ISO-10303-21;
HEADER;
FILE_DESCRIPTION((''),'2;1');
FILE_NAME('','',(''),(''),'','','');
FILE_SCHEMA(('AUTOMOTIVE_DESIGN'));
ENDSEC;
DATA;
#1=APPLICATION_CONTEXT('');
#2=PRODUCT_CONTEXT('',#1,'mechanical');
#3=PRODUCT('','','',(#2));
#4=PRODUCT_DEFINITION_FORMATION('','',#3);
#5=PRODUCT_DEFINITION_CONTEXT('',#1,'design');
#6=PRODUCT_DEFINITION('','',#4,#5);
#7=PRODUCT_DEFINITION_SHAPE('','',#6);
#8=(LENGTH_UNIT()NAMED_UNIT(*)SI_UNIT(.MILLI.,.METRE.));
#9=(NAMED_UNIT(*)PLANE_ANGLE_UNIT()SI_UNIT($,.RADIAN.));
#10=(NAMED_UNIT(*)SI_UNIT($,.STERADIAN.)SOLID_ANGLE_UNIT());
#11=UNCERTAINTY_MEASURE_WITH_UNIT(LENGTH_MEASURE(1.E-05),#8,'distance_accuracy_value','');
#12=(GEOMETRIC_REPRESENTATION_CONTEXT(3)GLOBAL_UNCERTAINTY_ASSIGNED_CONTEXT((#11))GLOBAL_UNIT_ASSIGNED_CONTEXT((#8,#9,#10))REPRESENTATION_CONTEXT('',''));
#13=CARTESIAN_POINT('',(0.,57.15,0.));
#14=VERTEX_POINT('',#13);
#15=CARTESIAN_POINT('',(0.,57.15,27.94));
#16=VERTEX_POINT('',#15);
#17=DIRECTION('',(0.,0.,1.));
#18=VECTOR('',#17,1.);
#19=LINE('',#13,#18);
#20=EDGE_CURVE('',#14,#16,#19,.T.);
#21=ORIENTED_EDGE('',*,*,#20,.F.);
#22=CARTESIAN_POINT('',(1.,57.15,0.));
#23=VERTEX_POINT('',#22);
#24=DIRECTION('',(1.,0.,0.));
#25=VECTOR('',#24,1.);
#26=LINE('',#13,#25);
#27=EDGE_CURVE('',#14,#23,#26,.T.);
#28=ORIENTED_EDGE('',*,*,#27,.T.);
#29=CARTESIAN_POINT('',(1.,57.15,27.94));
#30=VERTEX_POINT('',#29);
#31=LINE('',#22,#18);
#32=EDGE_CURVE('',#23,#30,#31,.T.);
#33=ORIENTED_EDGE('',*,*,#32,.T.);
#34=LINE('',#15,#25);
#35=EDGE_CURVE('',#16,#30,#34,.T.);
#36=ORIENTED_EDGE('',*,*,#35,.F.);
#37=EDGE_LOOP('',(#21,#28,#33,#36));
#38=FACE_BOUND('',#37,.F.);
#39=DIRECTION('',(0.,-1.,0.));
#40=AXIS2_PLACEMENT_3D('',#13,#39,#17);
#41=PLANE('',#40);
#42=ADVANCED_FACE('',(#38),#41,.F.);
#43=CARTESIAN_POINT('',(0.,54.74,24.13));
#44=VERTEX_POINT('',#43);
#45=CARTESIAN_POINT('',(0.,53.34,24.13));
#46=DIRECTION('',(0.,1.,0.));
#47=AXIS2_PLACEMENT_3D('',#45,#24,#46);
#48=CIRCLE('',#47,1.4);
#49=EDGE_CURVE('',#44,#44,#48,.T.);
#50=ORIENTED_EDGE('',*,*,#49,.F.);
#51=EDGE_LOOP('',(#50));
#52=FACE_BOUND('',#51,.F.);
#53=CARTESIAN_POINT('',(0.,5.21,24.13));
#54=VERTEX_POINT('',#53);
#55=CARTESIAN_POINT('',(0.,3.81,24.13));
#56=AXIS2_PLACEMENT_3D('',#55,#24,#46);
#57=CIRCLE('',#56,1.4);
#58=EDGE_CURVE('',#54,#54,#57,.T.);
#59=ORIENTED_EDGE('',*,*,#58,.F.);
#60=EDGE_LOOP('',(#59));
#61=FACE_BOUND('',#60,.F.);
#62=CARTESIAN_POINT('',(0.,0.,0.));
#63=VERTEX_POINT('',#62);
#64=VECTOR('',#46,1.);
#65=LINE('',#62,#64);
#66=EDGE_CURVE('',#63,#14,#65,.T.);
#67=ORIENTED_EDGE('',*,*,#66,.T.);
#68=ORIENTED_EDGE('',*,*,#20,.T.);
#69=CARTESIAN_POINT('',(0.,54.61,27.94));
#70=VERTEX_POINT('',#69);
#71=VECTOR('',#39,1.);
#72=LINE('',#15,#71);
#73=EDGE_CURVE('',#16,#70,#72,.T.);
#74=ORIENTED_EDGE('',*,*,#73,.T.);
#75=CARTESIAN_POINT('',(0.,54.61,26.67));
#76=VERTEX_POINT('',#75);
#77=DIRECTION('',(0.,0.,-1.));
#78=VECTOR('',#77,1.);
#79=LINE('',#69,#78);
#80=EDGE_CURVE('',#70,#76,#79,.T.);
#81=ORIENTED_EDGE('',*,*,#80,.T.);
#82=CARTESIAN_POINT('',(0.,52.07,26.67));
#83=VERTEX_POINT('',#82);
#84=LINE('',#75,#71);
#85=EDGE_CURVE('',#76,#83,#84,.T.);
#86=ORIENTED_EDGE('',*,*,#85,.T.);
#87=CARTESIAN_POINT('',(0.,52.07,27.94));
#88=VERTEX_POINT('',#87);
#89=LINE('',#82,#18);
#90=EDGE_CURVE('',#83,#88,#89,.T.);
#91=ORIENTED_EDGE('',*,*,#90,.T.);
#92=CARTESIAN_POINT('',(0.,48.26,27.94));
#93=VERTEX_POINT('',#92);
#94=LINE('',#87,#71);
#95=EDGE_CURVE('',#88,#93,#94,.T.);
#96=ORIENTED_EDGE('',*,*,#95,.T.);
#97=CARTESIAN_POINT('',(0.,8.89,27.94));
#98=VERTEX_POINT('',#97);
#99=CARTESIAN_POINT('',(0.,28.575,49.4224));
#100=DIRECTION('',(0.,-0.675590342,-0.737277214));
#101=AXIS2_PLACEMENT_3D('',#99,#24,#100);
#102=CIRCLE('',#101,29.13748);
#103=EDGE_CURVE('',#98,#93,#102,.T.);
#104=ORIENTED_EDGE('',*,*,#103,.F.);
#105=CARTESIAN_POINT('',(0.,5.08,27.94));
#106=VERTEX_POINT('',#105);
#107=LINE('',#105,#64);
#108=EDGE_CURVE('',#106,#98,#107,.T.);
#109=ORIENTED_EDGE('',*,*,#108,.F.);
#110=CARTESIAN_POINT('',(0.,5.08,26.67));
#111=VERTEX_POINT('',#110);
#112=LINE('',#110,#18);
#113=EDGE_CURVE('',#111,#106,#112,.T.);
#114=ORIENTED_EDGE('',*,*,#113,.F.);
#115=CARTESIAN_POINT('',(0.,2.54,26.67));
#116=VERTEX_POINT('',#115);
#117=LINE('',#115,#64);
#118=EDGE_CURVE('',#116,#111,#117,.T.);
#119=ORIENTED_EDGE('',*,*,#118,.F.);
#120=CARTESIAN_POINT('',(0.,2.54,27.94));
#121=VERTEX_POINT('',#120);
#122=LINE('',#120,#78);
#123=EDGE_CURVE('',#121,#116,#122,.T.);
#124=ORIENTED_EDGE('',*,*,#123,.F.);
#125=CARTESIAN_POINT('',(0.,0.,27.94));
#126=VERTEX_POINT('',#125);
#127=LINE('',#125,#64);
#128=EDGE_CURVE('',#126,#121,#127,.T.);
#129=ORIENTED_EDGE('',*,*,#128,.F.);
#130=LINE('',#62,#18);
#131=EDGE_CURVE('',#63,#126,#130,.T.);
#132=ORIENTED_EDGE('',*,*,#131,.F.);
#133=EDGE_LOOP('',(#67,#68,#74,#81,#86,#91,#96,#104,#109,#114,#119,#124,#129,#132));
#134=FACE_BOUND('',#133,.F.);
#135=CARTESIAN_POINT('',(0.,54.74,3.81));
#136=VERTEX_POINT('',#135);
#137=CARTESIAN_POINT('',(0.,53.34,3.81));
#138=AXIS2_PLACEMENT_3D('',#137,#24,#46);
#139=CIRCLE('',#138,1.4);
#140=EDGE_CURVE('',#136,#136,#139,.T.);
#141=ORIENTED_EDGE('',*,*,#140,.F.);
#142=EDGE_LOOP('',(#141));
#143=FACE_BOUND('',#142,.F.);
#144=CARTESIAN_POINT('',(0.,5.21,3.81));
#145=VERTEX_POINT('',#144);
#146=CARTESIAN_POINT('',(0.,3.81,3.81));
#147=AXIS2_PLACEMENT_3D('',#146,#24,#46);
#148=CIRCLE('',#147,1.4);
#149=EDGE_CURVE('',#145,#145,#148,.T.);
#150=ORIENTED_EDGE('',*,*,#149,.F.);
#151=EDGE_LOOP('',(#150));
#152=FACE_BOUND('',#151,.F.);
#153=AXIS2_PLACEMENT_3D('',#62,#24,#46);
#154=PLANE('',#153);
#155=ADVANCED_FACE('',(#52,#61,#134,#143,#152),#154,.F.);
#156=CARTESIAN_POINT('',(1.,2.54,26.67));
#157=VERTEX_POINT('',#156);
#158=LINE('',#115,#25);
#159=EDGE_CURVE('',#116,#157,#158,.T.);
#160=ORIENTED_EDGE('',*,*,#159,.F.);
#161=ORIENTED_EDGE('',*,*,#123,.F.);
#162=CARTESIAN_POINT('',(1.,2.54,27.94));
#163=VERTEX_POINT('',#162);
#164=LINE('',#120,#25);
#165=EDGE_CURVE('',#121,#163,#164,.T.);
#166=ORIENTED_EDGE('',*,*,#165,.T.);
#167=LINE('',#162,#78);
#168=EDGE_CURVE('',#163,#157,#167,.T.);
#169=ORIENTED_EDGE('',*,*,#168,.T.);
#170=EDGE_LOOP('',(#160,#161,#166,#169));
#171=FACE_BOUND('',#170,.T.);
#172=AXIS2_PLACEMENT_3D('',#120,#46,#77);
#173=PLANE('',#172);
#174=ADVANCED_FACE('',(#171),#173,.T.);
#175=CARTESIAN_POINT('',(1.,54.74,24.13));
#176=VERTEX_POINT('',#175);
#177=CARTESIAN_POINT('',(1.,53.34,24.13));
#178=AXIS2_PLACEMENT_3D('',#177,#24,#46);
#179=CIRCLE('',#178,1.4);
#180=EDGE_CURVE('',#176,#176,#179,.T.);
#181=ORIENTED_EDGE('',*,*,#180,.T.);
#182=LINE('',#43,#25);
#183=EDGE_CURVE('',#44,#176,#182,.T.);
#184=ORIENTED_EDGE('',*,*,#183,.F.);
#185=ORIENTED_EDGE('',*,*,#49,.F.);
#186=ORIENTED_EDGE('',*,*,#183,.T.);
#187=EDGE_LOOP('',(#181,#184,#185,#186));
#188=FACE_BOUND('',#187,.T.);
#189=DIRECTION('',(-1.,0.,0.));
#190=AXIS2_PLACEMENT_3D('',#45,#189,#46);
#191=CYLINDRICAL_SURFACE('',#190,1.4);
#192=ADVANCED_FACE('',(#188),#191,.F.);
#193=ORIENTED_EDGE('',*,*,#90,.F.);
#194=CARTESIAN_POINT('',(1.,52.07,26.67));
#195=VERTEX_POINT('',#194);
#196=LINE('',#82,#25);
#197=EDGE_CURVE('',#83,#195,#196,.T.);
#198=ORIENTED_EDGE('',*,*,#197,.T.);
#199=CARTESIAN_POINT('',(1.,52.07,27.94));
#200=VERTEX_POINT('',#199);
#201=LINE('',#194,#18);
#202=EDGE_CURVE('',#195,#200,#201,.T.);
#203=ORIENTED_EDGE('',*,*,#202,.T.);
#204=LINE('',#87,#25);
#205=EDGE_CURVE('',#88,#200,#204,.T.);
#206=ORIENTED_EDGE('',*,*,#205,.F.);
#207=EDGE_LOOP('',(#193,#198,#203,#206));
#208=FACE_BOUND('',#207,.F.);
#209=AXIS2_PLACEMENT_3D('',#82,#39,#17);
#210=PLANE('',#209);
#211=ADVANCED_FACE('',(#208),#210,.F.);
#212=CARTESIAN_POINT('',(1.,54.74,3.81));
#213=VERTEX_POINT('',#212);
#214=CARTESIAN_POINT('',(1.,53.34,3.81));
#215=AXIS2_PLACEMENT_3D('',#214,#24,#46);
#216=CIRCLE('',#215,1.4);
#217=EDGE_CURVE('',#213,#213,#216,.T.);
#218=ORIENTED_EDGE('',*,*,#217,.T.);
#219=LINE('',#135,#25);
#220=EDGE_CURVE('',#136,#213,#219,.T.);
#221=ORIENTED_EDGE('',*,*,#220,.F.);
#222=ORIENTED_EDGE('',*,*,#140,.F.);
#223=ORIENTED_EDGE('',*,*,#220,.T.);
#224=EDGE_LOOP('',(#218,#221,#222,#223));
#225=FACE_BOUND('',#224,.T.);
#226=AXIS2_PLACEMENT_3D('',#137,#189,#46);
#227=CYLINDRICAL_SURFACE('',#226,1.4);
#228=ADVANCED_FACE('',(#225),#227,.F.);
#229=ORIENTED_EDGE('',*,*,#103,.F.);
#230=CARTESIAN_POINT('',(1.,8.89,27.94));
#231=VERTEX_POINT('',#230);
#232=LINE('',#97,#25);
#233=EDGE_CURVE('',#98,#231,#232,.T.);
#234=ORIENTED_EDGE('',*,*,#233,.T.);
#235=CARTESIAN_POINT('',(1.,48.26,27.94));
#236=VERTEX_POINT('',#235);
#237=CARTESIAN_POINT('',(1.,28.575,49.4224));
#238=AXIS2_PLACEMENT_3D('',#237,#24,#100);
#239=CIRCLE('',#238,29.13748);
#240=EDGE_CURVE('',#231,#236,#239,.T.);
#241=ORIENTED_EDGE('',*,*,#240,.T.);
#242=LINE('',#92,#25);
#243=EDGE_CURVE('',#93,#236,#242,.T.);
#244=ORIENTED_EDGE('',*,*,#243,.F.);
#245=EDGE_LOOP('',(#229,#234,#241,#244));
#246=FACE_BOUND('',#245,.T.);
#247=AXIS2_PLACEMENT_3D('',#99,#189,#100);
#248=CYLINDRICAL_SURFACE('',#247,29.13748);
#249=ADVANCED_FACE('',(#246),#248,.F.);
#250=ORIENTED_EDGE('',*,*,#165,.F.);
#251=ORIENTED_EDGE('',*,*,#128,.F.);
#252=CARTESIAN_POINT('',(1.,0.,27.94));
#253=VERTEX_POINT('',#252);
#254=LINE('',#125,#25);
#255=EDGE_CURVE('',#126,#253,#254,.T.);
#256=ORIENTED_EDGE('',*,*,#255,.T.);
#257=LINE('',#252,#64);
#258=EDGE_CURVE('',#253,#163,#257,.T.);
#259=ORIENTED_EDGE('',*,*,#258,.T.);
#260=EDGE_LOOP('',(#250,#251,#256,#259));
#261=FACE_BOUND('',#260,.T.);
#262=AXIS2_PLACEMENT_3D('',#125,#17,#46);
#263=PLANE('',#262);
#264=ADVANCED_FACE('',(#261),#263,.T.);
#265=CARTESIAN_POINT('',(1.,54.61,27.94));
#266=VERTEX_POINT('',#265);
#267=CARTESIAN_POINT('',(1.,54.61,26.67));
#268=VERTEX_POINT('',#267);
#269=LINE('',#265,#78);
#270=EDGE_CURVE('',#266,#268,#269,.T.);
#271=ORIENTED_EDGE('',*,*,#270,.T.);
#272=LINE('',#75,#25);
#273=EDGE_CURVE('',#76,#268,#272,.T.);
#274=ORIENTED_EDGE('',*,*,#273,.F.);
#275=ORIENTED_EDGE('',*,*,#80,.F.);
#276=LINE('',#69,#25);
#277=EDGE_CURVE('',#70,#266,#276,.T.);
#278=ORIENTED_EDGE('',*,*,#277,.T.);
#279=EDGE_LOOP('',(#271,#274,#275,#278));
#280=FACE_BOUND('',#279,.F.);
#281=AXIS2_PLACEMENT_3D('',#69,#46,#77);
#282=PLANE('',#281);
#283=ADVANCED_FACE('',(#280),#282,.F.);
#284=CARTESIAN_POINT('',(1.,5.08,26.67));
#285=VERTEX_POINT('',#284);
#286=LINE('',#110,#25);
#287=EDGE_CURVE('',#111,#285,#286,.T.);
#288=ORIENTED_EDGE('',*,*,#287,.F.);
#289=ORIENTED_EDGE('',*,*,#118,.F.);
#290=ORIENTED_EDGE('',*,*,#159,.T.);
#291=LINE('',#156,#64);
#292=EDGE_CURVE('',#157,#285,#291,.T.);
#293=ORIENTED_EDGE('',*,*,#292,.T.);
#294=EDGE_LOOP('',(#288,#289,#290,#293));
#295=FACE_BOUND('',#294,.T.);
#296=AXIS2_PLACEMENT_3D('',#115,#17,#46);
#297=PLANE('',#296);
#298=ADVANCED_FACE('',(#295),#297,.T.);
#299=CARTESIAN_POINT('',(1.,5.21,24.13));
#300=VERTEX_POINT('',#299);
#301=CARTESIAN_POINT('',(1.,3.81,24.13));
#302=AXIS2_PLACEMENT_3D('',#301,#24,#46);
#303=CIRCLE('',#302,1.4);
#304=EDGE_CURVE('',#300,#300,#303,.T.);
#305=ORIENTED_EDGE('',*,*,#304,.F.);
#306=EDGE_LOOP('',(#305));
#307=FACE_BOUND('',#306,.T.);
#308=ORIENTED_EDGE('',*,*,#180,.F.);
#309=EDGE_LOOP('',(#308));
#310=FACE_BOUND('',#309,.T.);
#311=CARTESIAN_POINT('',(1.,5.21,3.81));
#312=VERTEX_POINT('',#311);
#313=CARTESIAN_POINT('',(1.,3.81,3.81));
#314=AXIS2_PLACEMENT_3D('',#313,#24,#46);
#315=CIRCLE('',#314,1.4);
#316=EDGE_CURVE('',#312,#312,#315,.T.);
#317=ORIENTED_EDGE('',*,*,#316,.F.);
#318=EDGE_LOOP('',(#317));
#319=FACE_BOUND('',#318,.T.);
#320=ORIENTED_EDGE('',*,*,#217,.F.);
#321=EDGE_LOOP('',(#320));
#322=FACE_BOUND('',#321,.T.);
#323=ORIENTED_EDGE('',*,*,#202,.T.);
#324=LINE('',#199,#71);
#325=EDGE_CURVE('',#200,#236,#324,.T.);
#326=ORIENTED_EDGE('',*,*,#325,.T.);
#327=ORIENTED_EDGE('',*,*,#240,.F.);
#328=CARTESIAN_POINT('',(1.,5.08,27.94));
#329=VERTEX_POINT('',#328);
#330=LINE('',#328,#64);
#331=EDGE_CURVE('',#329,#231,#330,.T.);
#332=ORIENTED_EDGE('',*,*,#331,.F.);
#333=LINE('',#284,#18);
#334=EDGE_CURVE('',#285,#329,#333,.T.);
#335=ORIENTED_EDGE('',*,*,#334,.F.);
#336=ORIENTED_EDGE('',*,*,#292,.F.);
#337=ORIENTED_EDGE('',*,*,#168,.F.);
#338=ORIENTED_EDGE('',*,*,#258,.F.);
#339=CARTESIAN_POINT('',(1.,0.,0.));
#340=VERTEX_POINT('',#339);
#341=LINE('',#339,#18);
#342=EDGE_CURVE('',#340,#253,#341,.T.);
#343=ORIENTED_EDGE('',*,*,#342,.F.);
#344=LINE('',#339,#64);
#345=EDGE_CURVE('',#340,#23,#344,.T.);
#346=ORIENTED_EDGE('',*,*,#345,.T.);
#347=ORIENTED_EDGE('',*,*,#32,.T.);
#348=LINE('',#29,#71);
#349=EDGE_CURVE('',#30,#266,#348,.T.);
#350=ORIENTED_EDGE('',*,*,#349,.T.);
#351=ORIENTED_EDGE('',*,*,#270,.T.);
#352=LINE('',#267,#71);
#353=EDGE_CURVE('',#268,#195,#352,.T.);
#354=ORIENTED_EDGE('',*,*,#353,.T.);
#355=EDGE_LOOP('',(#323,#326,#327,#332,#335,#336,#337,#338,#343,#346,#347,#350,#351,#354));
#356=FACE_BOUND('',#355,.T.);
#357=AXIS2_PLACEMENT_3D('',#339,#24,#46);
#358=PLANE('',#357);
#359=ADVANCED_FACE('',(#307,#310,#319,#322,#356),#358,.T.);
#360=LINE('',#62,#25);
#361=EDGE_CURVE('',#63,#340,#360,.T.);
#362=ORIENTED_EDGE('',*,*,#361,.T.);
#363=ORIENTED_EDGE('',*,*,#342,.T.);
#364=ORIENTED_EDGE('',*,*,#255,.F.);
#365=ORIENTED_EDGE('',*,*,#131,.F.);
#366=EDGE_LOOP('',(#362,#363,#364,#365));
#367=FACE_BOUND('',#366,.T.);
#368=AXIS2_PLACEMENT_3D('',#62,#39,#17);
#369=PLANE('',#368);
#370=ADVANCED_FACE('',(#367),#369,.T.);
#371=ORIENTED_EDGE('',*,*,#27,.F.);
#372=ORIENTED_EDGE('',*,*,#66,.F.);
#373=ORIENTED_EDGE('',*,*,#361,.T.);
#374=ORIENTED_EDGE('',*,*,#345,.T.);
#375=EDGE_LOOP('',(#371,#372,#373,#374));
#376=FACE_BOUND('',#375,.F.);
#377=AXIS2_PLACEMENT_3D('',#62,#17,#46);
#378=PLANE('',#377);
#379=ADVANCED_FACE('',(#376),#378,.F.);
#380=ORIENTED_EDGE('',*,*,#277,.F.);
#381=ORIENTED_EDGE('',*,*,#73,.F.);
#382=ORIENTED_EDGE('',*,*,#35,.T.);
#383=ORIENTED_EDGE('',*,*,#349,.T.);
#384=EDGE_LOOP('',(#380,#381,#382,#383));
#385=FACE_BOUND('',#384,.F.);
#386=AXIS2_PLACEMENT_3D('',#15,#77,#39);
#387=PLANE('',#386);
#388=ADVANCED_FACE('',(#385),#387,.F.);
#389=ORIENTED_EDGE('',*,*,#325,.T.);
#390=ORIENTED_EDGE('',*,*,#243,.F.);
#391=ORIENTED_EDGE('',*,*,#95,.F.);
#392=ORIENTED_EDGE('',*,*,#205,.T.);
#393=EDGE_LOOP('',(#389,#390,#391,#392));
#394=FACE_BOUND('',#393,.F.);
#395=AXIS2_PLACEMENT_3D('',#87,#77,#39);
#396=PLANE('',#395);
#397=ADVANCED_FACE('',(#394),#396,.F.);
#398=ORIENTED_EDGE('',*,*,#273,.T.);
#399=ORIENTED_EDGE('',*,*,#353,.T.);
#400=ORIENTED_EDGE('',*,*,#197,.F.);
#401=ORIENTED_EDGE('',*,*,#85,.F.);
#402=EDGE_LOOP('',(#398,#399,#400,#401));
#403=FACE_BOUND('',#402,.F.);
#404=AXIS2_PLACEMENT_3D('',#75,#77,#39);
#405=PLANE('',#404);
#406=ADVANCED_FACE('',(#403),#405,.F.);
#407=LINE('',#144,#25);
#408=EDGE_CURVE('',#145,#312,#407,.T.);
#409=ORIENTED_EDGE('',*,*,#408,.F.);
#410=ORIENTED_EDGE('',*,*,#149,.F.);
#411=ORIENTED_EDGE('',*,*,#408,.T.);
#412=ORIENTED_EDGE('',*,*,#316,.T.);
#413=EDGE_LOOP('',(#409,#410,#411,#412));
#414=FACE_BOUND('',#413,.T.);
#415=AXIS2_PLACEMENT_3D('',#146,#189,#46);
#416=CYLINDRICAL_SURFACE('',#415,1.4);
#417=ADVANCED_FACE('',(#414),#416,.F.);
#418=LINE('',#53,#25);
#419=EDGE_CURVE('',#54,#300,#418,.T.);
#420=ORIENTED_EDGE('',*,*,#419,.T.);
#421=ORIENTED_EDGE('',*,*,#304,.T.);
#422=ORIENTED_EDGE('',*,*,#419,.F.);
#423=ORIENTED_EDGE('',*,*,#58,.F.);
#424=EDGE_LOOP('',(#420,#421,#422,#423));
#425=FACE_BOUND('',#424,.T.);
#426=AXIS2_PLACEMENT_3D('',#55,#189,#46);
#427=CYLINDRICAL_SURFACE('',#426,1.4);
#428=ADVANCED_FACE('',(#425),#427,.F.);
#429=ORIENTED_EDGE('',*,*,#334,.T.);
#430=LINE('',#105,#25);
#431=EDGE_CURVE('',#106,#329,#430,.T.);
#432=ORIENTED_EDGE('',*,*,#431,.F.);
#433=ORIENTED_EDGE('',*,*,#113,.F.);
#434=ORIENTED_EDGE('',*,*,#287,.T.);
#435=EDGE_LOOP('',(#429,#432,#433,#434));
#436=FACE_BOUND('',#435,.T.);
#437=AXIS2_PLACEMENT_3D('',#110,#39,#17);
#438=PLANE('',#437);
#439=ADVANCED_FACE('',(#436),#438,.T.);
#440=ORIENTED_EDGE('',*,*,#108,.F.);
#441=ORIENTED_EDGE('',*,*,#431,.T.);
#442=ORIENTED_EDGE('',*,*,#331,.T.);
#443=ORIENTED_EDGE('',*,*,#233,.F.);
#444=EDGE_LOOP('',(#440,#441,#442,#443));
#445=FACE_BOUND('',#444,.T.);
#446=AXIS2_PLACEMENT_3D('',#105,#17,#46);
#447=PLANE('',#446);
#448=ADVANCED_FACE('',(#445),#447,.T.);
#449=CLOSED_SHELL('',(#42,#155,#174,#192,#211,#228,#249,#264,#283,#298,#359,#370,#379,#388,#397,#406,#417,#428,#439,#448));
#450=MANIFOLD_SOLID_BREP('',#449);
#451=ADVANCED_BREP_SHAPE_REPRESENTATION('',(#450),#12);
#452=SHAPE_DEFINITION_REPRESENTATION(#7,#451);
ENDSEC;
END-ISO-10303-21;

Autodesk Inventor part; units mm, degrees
ref_plane "YZ Plane" through (0, 0, 0) normal (1, 0, 0) x (0, 1, 0)
ref_plane "XZ Plane" through (0, 0, 0) normal (0, 1, 0) x (-1, 0, 0)
ref_plane "XY Plane" through (0, 0, 0) normal (0, 0, 1) x (1, 0, 0)
sketch "Sketch1" plane through (0, 0, 0) normal (1, 0, 0) x (0, 1, 0)
  line L0 (0, 0) -> (57.15, 0)
  line L1 (57.15, 0) -> (57.15, 27.94)
  line L2 (0, 0) -> (0, 27.94)
  arc A0 (8.89, 27.94) -> (48.26, 27.94) centre (28.575, 49.4224) ccw
  line L3 (28.575, 0) -> (28.575, 8.5438) construction
  circle A1 centre (3.81, 3.81) radius 1.4
  circle A2 centre (53.34, 3.81) radius 1.4
  line L4 (0, 27.94) -> (2.54, 27.94)
  line L5 (2.54, 27.94) -> (2.54, 26.67)
  line L6 (2.54, 26.67) -> (5.08, 26.67)
  line L7 (5.08, 26.67) -> (5.08, 27.94)
  line L8 (5.08, 27.94) -> (8.89, 27.94)
  line L9 (57.15, 27.94) -> (54.61, 27.94)
  line L10 (54.61, 27.94) -> (54.61, 26.67)
  line L11 (54.61, 26.67) -> (52.07, 26.67)
  line L12 (52.07, 26.67) -> (52.07, 27.94)
  line L13 (52.07, 27.94) -> (48.26, 27.94)
  circle A3 centre (53.34, 24.13) radius 1.4
  circle A4 centre (3.81, 24.13) radius 1.4
  dimension "d0" = 57.15
  dimension "d1" = 27.94
  dimension "d2" = 27.94
  dimension "d3" = 85
  dimension "d4" = 29.1375
  dimension "d5" = 2.8
  dimension "d6" = 3.81
  dimension "d7" = 3.81
  dimension "d8" = 2.54
  dimension "d9" = 1.27
  dimension "d10" = 2.54
  dimension "d11" = 1.27
  dimension "d14" = 2.8
  dimension "d15" = 20.32
  dimension "d16" = 8.89
  dimension "d17" = 8.89
extrude "Extrusion1" add sketch "Sketch1" along normal blind 1
properties part number "PCBModuleRight01" material "PCB(1)"
